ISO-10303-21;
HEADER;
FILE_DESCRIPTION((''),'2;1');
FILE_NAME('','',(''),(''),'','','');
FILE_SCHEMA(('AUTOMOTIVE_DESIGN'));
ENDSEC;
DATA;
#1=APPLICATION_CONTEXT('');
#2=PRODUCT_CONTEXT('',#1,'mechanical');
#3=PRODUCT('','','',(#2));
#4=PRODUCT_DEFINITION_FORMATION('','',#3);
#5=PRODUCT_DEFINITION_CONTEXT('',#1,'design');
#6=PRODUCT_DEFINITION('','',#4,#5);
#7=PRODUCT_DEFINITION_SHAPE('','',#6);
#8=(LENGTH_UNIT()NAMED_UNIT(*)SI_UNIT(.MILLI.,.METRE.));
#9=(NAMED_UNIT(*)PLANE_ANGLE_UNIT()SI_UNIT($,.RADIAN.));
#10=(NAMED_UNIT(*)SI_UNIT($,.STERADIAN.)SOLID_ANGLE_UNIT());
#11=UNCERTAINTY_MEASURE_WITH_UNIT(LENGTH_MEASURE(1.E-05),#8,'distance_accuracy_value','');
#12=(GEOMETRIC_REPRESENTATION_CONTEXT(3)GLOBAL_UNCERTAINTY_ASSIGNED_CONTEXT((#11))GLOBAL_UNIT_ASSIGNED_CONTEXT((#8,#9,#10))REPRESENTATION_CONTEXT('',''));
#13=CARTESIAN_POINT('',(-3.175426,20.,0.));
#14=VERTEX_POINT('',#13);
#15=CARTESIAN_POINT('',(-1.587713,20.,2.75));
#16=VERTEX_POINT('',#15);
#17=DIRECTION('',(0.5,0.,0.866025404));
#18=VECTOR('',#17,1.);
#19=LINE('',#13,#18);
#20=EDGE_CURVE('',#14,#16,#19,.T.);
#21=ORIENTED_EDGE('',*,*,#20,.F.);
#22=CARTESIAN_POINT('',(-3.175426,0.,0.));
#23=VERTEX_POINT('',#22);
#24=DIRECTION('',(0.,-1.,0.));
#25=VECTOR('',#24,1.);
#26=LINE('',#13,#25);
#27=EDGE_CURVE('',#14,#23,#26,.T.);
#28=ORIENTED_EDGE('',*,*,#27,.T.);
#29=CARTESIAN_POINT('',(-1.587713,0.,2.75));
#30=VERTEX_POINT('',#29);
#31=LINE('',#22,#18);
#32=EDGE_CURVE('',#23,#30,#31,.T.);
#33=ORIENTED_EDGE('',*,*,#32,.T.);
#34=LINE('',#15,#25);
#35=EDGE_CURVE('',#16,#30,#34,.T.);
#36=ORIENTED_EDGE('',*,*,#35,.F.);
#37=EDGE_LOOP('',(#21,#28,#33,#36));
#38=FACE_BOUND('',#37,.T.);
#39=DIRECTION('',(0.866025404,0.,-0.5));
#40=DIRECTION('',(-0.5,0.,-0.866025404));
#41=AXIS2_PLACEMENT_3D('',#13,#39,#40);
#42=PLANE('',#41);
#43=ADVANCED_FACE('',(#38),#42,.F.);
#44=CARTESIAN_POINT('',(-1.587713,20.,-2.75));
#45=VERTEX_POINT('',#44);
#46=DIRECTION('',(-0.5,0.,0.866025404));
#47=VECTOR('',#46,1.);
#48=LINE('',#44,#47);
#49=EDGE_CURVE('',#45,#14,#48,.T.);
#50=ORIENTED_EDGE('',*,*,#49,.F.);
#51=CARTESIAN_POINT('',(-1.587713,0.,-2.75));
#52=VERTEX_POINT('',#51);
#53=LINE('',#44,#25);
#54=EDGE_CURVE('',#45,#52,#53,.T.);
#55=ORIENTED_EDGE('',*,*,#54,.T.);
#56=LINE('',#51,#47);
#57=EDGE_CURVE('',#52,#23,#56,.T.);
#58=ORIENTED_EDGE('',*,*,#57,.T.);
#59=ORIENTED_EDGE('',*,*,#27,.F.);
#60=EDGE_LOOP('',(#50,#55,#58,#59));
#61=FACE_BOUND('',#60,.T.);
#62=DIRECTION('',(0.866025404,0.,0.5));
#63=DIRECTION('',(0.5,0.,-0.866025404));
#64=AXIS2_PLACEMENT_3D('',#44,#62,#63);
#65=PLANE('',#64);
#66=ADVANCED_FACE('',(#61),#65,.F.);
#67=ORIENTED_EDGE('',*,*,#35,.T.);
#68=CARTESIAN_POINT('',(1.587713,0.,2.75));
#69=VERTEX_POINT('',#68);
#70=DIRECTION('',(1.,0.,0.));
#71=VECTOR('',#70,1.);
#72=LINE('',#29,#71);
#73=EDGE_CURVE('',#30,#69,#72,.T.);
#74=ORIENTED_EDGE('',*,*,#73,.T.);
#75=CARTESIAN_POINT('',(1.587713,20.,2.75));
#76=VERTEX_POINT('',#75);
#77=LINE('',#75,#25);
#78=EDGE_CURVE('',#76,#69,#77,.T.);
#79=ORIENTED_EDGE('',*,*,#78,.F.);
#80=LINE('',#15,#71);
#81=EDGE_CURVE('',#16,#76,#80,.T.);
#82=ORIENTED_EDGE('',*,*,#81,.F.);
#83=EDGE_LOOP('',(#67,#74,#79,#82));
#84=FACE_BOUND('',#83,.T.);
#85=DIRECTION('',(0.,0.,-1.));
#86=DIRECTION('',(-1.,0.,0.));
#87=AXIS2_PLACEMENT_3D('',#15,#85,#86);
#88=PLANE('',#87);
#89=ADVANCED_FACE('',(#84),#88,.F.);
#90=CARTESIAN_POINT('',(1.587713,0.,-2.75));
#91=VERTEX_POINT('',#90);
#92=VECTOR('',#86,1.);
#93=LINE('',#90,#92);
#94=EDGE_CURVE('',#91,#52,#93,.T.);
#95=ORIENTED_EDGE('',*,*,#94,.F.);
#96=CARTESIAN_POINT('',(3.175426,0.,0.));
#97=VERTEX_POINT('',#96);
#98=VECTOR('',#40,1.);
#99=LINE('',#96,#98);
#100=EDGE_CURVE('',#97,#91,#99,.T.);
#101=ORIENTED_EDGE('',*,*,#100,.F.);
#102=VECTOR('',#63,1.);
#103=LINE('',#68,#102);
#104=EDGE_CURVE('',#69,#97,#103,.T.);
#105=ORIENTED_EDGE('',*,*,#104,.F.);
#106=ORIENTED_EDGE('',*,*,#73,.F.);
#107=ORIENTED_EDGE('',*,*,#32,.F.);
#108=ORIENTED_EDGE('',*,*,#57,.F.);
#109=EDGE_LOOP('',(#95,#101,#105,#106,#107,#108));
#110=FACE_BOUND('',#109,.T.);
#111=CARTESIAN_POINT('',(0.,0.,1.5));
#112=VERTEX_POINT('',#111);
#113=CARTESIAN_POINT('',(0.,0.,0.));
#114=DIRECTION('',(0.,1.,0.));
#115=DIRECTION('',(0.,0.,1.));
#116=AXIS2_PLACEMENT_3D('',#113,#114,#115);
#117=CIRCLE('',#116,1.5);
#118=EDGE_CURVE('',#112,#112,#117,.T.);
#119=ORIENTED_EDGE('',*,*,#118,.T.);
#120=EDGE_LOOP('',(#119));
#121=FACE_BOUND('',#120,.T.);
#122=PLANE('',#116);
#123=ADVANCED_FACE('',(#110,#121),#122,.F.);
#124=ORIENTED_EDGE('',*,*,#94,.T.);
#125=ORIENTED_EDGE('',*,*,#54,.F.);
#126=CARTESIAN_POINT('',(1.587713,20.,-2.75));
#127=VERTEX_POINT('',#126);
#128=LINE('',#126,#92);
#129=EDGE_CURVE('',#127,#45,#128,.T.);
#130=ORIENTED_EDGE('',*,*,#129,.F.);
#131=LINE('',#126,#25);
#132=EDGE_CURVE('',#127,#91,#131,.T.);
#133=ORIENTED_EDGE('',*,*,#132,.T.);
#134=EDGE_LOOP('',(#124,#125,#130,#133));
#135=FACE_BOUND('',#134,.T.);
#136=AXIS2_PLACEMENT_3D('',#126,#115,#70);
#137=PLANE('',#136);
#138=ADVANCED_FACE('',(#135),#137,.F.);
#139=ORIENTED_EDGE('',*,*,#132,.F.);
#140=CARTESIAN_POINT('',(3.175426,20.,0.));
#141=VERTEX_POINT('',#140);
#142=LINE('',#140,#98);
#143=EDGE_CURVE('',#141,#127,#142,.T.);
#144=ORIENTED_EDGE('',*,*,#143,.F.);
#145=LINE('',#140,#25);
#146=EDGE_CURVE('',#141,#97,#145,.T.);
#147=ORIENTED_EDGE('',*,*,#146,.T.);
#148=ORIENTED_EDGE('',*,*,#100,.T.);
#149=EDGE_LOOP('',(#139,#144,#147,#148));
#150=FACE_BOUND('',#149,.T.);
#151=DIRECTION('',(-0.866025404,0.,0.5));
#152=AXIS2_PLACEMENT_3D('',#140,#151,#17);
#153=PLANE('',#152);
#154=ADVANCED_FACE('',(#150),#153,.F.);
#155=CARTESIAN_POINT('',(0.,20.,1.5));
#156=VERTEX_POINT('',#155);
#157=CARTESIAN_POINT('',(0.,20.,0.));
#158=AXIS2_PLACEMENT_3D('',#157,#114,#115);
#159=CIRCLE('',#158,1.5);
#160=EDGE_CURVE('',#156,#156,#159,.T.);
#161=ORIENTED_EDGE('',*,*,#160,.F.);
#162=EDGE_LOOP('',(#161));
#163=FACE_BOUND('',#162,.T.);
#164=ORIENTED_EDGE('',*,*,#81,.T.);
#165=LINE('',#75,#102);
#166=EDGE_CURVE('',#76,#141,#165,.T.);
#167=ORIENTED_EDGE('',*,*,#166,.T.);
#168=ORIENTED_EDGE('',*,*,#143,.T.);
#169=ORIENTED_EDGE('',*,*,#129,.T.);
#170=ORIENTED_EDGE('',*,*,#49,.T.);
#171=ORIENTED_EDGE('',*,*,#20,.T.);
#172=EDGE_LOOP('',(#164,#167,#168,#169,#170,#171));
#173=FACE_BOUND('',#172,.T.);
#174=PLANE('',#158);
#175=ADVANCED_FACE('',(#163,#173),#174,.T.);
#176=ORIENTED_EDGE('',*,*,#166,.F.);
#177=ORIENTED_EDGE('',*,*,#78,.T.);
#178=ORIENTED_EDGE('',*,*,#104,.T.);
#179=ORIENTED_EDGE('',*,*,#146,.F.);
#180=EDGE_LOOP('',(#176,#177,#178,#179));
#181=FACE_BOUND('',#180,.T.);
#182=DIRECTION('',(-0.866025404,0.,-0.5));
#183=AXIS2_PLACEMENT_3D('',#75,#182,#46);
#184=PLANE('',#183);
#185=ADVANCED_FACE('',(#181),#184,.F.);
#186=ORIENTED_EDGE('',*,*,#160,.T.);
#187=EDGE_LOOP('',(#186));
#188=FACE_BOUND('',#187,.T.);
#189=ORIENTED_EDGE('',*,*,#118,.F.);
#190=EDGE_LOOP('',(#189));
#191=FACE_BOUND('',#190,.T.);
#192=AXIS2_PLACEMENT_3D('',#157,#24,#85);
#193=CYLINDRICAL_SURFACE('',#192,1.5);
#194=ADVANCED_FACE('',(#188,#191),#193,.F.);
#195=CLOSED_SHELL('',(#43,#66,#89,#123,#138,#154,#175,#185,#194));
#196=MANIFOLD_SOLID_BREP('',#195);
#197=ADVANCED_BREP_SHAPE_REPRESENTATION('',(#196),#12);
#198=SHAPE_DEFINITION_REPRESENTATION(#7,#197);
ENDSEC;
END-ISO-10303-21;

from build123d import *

# Parameters (mm, degrees)
SKETCH1_R           = 1.5
BOSS_EXTRUDE1_DEPTH = 20


with BuildPart() as part:
    # Sketch1 → Boss-Extrude1 (new body)
    with BuildSketch(Plane(origin=(0, 0, 0), x_dir=(1, 0, 0), z_dir=(0, 1, 0))):
        Polygon((3.175426481, 0), (1.58771324, 2.75), (-1.58771324, 2.75), (-3.175426481, 0), (-1.58771324, -2.75), (1.58771324, -2.75), align=None)
        Circle(SKETCH1_R, mode=Mode.SUBTRACT)
    extrude(amount=BOSS_EXTRUDE1_DEPTH)


solid = part.part
